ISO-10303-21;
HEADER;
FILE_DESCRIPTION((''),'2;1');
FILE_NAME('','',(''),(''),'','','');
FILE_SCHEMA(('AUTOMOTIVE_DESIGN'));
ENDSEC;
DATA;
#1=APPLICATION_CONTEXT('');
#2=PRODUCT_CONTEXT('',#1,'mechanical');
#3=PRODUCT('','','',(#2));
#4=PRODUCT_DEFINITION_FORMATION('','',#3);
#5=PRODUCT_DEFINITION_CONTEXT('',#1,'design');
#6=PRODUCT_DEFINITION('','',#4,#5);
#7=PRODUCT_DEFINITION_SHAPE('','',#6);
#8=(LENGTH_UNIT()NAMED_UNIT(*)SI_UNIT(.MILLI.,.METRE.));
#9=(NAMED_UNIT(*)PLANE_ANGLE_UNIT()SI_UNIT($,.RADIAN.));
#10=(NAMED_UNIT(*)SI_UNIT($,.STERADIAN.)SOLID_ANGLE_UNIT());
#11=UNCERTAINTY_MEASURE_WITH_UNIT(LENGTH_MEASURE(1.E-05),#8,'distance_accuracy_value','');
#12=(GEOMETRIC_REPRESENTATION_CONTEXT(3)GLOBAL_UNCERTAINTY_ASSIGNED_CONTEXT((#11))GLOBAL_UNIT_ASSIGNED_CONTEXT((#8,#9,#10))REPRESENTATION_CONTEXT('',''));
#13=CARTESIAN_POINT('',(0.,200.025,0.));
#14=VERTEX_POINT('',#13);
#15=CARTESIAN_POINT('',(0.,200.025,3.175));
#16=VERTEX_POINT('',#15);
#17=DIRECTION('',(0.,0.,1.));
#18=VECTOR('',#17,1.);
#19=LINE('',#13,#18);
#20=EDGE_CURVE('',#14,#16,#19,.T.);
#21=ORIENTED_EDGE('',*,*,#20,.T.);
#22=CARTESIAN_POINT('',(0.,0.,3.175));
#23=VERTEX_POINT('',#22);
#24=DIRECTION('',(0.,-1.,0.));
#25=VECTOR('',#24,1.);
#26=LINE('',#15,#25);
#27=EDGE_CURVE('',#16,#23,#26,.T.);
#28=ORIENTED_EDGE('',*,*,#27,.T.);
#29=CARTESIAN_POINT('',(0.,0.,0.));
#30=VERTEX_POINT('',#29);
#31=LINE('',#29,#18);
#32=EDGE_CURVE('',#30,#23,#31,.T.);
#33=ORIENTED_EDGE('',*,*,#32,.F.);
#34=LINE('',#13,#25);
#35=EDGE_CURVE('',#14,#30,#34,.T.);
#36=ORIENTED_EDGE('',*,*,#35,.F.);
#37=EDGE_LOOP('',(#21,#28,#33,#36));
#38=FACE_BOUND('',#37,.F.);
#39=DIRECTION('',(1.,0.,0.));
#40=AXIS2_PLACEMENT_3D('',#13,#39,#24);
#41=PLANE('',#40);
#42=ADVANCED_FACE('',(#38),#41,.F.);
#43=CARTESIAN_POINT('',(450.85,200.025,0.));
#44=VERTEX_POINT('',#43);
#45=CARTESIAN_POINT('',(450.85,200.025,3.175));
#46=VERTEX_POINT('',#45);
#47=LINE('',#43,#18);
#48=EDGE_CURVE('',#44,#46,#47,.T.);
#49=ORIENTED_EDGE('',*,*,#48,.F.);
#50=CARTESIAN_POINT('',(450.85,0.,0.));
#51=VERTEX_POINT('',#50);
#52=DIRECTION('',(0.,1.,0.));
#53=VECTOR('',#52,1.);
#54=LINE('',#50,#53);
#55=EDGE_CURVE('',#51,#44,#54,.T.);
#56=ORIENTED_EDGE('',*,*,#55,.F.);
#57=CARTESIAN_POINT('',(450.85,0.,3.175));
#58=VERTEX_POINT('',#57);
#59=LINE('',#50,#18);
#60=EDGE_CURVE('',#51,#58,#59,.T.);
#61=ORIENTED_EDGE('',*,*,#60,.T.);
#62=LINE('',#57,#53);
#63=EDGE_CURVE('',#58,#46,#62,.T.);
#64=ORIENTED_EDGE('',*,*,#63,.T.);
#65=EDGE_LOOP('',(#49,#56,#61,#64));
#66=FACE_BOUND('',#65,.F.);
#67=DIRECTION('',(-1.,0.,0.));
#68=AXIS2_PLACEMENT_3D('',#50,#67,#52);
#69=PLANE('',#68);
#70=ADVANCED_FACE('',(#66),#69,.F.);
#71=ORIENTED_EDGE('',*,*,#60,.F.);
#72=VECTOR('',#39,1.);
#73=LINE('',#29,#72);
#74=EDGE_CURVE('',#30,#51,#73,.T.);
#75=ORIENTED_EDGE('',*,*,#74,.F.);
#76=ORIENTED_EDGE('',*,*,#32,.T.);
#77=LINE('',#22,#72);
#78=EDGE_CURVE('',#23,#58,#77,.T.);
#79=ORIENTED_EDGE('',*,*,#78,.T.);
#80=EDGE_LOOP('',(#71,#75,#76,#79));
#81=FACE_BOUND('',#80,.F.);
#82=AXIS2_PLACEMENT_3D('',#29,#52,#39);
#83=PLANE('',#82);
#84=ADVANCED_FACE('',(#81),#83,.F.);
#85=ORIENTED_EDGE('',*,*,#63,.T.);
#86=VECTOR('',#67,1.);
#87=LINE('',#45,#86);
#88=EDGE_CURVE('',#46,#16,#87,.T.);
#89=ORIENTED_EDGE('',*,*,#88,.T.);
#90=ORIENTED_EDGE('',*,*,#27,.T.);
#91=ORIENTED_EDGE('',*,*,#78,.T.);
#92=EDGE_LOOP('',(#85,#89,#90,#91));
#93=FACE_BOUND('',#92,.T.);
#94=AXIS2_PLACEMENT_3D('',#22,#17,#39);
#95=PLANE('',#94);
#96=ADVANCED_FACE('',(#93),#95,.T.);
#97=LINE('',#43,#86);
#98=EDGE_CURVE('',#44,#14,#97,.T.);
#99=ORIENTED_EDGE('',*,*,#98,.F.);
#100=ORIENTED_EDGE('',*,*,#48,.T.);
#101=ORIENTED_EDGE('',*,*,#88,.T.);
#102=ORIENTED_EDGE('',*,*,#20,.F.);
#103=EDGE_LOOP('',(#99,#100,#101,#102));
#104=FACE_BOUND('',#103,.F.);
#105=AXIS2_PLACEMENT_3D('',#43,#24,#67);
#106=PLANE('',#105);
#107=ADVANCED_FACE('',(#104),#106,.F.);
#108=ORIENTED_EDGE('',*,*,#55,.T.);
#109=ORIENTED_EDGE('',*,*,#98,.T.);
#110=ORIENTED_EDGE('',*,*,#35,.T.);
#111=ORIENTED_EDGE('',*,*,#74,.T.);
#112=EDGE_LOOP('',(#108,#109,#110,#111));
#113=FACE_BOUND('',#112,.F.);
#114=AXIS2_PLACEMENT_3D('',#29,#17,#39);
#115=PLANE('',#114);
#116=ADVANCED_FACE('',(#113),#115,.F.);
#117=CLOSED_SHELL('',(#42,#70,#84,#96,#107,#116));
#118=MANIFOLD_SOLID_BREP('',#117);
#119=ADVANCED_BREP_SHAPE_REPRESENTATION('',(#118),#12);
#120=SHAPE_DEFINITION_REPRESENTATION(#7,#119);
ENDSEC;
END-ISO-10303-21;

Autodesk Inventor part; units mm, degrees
ref_plane "YZ Plane" through (0, 0, 0) normal (1, 0, 0) x (0, 1, 0)
ref_plane "XZ Plane" through (0, 0, 0) normal (0, 1, 0) x (-1, 0, 0)
ref_plane "XY Plane" through (0, 0, 0) normal (0, 0, 1) x (1, 0, 0)
sketch "Sketch1" plane through (0, 0, 0) normal (0, 0, 1) x (1, 0, 0)
  line L0 (0, 0) -> (450.85, 0)
  line L1 (450.85, 0) -> (450.85, 200.025)
  line L2 (450.85, 200.025) -> (0, 200.025)
  line L3 (0, 200.025) -> (0, 0)
  dimension "d1" = 450.85
  dimension "d2" = 200.025
  dimension "d3" = 450.85
extrude "Extrusion1" add sketch "Sketch1" along normal blind 3.175
properties part number "Front"
